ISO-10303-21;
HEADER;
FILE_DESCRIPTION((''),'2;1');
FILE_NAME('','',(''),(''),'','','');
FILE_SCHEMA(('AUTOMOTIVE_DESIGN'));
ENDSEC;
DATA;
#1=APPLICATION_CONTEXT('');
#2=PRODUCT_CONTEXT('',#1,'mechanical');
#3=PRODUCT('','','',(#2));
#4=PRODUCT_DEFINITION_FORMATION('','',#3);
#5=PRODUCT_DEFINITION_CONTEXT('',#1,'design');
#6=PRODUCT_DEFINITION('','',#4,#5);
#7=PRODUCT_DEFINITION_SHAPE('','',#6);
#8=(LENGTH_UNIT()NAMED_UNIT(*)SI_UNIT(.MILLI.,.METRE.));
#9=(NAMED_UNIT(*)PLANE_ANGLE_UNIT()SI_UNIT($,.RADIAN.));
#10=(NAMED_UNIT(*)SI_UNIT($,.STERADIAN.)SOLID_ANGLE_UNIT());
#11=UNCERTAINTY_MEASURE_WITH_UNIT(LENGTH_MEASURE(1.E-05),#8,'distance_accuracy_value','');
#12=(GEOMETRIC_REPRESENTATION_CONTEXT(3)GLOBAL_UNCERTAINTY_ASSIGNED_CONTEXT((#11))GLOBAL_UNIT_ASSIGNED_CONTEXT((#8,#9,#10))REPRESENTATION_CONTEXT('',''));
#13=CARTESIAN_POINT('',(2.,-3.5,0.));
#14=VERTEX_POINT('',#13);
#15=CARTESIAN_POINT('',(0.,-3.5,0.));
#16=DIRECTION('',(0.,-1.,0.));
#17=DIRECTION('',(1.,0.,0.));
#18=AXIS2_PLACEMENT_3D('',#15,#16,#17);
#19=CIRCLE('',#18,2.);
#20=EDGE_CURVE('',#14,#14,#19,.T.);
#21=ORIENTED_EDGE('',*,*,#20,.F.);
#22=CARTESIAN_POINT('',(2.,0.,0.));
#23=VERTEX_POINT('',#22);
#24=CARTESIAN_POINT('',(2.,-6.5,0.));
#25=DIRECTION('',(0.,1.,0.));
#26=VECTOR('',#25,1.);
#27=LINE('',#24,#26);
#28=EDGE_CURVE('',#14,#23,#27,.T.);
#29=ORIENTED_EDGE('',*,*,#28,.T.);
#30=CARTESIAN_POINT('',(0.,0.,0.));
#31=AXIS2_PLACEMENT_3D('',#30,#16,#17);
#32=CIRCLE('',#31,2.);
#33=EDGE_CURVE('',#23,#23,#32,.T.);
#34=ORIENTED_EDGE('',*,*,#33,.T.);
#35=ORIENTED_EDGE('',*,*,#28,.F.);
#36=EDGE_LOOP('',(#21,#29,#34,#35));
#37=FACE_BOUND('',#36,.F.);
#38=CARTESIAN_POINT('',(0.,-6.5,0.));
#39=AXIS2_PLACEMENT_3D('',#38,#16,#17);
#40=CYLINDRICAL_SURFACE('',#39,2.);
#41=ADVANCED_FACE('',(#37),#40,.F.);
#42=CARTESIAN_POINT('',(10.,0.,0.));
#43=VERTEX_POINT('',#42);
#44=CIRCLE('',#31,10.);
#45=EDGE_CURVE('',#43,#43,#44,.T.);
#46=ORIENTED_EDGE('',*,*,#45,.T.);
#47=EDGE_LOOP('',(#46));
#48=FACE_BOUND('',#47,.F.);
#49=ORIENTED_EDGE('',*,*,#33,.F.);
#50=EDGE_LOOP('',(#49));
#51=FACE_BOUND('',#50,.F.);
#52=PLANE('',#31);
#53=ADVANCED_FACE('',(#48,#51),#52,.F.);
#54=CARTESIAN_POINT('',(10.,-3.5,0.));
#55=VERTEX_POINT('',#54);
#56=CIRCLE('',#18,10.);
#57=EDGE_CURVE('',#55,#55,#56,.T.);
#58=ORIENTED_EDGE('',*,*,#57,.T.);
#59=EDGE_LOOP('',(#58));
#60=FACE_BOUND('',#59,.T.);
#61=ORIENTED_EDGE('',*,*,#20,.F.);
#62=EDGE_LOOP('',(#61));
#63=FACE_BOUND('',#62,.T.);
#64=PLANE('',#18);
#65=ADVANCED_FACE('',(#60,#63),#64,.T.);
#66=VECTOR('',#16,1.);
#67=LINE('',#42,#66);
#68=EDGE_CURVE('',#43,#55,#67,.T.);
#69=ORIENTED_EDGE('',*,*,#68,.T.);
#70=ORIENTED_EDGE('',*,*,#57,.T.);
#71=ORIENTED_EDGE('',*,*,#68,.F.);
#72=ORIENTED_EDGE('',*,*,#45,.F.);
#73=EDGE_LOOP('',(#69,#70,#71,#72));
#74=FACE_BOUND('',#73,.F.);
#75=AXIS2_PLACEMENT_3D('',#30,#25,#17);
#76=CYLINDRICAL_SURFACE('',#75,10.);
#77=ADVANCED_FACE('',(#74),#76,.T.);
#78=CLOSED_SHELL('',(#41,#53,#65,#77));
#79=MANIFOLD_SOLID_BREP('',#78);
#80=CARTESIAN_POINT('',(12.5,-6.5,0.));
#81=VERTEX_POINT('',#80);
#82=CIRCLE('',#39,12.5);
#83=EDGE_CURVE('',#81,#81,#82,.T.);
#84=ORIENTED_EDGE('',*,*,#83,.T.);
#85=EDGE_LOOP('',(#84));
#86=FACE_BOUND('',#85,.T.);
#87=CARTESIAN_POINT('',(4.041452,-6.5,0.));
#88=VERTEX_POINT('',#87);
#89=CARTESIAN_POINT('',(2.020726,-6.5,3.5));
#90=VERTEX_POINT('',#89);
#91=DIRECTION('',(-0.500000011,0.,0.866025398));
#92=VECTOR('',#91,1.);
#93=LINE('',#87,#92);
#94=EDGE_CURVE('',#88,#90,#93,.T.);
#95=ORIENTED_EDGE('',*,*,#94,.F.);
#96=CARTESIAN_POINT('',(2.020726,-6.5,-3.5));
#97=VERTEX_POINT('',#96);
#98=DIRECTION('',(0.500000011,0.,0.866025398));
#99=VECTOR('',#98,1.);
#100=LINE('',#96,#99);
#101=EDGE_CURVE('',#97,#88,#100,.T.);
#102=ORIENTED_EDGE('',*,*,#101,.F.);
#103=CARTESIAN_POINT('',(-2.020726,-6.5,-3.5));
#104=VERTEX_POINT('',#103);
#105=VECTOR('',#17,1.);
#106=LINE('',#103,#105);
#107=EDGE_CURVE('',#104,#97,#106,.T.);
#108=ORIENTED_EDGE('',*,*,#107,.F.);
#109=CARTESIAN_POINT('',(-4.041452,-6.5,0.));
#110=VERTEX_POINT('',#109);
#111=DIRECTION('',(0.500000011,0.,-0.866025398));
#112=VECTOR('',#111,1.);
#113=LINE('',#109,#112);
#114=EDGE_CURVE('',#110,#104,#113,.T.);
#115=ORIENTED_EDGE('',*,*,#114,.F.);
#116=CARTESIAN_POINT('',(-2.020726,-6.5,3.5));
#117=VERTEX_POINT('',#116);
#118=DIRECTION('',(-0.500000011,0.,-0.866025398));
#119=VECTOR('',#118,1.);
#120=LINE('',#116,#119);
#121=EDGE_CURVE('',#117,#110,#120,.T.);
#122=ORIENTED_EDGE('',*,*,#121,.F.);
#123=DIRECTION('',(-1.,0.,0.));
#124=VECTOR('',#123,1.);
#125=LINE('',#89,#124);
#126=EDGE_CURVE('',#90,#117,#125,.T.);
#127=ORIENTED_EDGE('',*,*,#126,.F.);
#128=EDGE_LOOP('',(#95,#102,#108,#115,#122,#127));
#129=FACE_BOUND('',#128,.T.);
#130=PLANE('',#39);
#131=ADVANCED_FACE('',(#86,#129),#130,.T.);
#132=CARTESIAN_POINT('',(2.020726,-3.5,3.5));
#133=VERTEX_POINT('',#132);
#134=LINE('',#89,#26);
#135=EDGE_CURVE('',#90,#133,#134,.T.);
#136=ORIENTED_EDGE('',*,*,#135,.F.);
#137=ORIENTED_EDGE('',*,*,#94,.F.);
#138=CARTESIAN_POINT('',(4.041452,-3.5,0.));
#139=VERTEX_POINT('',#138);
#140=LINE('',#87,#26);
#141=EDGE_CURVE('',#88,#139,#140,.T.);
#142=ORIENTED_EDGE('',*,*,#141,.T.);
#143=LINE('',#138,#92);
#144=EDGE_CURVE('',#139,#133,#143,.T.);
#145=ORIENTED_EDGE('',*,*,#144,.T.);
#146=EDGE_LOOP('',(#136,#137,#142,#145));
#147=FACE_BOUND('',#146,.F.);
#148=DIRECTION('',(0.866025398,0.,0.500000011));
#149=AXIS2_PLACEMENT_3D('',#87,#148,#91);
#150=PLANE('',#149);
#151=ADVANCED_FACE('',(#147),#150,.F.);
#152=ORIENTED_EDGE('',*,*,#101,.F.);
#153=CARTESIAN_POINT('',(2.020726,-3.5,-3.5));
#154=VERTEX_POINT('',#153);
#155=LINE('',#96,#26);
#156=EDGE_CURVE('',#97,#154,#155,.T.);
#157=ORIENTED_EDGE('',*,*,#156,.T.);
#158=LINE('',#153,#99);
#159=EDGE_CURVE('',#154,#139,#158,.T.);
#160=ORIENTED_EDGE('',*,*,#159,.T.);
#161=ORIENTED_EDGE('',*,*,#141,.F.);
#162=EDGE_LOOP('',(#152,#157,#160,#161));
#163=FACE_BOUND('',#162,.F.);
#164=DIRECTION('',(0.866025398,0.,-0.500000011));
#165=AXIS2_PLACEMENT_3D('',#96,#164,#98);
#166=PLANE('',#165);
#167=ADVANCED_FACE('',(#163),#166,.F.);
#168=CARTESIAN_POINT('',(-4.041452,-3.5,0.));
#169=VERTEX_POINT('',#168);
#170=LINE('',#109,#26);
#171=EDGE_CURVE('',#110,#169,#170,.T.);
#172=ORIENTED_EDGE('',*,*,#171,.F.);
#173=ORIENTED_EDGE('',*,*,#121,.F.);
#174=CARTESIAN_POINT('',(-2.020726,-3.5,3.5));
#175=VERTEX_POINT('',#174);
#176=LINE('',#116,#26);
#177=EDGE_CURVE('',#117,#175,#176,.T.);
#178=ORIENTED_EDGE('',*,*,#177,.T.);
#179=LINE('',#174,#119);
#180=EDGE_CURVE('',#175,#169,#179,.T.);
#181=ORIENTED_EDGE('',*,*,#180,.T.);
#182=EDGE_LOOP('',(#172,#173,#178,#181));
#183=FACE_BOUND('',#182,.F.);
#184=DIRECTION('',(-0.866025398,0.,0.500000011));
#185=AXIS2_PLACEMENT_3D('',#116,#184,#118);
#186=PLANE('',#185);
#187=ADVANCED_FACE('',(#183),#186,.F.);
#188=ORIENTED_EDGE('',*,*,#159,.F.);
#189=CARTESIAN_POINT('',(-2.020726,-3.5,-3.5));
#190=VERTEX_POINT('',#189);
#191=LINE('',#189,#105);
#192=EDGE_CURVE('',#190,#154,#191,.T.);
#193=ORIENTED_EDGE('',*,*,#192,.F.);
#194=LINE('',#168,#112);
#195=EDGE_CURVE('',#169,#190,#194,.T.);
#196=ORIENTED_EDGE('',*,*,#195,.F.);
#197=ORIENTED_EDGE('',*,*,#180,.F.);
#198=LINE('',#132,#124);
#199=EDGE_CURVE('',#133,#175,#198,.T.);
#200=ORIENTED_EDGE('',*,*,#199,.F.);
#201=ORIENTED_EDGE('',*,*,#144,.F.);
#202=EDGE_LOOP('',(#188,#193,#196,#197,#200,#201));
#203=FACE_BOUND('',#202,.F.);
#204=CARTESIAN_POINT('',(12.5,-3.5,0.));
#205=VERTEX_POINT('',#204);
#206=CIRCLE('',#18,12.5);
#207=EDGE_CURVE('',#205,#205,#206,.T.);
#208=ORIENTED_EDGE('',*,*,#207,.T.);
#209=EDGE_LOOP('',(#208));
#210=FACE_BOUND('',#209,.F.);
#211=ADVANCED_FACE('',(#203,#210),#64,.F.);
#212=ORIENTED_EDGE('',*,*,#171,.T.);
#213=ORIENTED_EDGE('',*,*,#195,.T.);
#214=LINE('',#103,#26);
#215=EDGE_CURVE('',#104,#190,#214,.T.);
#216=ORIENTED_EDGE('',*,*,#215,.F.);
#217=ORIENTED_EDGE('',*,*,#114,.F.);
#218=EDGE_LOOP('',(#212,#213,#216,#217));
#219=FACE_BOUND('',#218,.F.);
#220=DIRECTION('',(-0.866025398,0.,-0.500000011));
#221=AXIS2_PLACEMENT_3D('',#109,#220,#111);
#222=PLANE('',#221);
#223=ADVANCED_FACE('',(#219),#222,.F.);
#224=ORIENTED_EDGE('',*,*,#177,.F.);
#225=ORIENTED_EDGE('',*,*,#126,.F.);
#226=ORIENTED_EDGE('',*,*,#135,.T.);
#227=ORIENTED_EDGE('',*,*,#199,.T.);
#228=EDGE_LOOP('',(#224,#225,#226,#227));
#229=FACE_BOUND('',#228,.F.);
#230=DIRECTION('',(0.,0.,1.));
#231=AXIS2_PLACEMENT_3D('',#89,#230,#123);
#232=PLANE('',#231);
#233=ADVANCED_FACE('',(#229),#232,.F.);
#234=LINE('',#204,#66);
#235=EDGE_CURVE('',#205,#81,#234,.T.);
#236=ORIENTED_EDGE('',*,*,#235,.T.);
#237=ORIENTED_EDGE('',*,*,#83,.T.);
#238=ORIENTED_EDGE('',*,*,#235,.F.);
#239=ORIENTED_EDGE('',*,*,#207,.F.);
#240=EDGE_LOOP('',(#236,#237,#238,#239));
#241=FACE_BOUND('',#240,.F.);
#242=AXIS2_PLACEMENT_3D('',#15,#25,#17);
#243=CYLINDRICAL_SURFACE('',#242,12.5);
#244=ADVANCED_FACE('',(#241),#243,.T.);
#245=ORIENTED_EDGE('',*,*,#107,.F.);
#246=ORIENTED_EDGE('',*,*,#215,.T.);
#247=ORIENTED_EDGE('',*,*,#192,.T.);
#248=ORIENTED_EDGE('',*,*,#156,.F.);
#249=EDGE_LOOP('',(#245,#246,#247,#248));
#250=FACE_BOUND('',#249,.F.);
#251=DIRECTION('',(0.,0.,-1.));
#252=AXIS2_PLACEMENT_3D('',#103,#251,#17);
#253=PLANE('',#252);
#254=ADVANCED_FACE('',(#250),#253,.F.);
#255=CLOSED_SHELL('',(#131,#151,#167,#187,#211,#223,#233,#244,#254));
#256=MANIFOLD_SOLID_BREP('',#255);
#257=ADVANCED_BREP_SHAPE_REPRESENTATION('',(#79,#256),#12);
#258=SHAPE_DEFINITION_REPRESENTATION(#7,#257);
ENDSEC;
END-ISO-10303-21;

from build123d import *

# Parameters (mm, degrees)
F0_R     = 10
F1_DEPTH = 3.5
F2_R     = 12.5
F2_R_2   = 10
F3_DEPTH = 3
F4_R     = 2
F5_DEPTH = 25
F7_DEPTH = 3


with BuildPart() as f1:
    # F0 (on Front) → F1 (new body)
    with BuildSketch(Plane.XZ):
        Circle(F0_R)
    extrude(amount=F1_DEPTH)


with BuildPart() as f3:
    # F2 (on face) → F3 (new body)
    with BuildSketch(Plane.XZ.offset(3.5)):
        Circle(F2_R)
        Circle(F2_R_2, mode=Mode.SUBTRACT)
        Circle(F2_R_2)
    extrude(amount=F3_DEPTH)


with BuildPart() as f5_tool:
    # F4 (on face) → F5 (new body)
    with BuildSketch(Plane.XZ.offset(6.5)):
        Circle(F4_R)
    extrude(amount=-F5_DEPTH)


with BuildPart() as f1_1:
    add(f1.part)

    # F5: cut by f5_tool
    add(f5_tool.part, mode=Mode.SUBTRACT)


with BuildPart() as f3_1:
    add(f3.part)

    # F5: cut by f5_tool
    add(f5_tool.part, mode=Mode.SUBTRACT)

    # F6 (on face) → F7 (cut)
    with BuildSketch(Plane.XZ.offset(6.5)):
        Polygon((2.020726, 3.5), (-2.020726, 3.5), (-4.041452, 0), (-2.020726, -3.5), (2.020726, -3.5), (4.041452, 0), align=None)
    extrude(amount=-F7_DEPTH, mode=Mode.SUBTRACT)


solid = Compound([f1_1.part, f3_1.part])
